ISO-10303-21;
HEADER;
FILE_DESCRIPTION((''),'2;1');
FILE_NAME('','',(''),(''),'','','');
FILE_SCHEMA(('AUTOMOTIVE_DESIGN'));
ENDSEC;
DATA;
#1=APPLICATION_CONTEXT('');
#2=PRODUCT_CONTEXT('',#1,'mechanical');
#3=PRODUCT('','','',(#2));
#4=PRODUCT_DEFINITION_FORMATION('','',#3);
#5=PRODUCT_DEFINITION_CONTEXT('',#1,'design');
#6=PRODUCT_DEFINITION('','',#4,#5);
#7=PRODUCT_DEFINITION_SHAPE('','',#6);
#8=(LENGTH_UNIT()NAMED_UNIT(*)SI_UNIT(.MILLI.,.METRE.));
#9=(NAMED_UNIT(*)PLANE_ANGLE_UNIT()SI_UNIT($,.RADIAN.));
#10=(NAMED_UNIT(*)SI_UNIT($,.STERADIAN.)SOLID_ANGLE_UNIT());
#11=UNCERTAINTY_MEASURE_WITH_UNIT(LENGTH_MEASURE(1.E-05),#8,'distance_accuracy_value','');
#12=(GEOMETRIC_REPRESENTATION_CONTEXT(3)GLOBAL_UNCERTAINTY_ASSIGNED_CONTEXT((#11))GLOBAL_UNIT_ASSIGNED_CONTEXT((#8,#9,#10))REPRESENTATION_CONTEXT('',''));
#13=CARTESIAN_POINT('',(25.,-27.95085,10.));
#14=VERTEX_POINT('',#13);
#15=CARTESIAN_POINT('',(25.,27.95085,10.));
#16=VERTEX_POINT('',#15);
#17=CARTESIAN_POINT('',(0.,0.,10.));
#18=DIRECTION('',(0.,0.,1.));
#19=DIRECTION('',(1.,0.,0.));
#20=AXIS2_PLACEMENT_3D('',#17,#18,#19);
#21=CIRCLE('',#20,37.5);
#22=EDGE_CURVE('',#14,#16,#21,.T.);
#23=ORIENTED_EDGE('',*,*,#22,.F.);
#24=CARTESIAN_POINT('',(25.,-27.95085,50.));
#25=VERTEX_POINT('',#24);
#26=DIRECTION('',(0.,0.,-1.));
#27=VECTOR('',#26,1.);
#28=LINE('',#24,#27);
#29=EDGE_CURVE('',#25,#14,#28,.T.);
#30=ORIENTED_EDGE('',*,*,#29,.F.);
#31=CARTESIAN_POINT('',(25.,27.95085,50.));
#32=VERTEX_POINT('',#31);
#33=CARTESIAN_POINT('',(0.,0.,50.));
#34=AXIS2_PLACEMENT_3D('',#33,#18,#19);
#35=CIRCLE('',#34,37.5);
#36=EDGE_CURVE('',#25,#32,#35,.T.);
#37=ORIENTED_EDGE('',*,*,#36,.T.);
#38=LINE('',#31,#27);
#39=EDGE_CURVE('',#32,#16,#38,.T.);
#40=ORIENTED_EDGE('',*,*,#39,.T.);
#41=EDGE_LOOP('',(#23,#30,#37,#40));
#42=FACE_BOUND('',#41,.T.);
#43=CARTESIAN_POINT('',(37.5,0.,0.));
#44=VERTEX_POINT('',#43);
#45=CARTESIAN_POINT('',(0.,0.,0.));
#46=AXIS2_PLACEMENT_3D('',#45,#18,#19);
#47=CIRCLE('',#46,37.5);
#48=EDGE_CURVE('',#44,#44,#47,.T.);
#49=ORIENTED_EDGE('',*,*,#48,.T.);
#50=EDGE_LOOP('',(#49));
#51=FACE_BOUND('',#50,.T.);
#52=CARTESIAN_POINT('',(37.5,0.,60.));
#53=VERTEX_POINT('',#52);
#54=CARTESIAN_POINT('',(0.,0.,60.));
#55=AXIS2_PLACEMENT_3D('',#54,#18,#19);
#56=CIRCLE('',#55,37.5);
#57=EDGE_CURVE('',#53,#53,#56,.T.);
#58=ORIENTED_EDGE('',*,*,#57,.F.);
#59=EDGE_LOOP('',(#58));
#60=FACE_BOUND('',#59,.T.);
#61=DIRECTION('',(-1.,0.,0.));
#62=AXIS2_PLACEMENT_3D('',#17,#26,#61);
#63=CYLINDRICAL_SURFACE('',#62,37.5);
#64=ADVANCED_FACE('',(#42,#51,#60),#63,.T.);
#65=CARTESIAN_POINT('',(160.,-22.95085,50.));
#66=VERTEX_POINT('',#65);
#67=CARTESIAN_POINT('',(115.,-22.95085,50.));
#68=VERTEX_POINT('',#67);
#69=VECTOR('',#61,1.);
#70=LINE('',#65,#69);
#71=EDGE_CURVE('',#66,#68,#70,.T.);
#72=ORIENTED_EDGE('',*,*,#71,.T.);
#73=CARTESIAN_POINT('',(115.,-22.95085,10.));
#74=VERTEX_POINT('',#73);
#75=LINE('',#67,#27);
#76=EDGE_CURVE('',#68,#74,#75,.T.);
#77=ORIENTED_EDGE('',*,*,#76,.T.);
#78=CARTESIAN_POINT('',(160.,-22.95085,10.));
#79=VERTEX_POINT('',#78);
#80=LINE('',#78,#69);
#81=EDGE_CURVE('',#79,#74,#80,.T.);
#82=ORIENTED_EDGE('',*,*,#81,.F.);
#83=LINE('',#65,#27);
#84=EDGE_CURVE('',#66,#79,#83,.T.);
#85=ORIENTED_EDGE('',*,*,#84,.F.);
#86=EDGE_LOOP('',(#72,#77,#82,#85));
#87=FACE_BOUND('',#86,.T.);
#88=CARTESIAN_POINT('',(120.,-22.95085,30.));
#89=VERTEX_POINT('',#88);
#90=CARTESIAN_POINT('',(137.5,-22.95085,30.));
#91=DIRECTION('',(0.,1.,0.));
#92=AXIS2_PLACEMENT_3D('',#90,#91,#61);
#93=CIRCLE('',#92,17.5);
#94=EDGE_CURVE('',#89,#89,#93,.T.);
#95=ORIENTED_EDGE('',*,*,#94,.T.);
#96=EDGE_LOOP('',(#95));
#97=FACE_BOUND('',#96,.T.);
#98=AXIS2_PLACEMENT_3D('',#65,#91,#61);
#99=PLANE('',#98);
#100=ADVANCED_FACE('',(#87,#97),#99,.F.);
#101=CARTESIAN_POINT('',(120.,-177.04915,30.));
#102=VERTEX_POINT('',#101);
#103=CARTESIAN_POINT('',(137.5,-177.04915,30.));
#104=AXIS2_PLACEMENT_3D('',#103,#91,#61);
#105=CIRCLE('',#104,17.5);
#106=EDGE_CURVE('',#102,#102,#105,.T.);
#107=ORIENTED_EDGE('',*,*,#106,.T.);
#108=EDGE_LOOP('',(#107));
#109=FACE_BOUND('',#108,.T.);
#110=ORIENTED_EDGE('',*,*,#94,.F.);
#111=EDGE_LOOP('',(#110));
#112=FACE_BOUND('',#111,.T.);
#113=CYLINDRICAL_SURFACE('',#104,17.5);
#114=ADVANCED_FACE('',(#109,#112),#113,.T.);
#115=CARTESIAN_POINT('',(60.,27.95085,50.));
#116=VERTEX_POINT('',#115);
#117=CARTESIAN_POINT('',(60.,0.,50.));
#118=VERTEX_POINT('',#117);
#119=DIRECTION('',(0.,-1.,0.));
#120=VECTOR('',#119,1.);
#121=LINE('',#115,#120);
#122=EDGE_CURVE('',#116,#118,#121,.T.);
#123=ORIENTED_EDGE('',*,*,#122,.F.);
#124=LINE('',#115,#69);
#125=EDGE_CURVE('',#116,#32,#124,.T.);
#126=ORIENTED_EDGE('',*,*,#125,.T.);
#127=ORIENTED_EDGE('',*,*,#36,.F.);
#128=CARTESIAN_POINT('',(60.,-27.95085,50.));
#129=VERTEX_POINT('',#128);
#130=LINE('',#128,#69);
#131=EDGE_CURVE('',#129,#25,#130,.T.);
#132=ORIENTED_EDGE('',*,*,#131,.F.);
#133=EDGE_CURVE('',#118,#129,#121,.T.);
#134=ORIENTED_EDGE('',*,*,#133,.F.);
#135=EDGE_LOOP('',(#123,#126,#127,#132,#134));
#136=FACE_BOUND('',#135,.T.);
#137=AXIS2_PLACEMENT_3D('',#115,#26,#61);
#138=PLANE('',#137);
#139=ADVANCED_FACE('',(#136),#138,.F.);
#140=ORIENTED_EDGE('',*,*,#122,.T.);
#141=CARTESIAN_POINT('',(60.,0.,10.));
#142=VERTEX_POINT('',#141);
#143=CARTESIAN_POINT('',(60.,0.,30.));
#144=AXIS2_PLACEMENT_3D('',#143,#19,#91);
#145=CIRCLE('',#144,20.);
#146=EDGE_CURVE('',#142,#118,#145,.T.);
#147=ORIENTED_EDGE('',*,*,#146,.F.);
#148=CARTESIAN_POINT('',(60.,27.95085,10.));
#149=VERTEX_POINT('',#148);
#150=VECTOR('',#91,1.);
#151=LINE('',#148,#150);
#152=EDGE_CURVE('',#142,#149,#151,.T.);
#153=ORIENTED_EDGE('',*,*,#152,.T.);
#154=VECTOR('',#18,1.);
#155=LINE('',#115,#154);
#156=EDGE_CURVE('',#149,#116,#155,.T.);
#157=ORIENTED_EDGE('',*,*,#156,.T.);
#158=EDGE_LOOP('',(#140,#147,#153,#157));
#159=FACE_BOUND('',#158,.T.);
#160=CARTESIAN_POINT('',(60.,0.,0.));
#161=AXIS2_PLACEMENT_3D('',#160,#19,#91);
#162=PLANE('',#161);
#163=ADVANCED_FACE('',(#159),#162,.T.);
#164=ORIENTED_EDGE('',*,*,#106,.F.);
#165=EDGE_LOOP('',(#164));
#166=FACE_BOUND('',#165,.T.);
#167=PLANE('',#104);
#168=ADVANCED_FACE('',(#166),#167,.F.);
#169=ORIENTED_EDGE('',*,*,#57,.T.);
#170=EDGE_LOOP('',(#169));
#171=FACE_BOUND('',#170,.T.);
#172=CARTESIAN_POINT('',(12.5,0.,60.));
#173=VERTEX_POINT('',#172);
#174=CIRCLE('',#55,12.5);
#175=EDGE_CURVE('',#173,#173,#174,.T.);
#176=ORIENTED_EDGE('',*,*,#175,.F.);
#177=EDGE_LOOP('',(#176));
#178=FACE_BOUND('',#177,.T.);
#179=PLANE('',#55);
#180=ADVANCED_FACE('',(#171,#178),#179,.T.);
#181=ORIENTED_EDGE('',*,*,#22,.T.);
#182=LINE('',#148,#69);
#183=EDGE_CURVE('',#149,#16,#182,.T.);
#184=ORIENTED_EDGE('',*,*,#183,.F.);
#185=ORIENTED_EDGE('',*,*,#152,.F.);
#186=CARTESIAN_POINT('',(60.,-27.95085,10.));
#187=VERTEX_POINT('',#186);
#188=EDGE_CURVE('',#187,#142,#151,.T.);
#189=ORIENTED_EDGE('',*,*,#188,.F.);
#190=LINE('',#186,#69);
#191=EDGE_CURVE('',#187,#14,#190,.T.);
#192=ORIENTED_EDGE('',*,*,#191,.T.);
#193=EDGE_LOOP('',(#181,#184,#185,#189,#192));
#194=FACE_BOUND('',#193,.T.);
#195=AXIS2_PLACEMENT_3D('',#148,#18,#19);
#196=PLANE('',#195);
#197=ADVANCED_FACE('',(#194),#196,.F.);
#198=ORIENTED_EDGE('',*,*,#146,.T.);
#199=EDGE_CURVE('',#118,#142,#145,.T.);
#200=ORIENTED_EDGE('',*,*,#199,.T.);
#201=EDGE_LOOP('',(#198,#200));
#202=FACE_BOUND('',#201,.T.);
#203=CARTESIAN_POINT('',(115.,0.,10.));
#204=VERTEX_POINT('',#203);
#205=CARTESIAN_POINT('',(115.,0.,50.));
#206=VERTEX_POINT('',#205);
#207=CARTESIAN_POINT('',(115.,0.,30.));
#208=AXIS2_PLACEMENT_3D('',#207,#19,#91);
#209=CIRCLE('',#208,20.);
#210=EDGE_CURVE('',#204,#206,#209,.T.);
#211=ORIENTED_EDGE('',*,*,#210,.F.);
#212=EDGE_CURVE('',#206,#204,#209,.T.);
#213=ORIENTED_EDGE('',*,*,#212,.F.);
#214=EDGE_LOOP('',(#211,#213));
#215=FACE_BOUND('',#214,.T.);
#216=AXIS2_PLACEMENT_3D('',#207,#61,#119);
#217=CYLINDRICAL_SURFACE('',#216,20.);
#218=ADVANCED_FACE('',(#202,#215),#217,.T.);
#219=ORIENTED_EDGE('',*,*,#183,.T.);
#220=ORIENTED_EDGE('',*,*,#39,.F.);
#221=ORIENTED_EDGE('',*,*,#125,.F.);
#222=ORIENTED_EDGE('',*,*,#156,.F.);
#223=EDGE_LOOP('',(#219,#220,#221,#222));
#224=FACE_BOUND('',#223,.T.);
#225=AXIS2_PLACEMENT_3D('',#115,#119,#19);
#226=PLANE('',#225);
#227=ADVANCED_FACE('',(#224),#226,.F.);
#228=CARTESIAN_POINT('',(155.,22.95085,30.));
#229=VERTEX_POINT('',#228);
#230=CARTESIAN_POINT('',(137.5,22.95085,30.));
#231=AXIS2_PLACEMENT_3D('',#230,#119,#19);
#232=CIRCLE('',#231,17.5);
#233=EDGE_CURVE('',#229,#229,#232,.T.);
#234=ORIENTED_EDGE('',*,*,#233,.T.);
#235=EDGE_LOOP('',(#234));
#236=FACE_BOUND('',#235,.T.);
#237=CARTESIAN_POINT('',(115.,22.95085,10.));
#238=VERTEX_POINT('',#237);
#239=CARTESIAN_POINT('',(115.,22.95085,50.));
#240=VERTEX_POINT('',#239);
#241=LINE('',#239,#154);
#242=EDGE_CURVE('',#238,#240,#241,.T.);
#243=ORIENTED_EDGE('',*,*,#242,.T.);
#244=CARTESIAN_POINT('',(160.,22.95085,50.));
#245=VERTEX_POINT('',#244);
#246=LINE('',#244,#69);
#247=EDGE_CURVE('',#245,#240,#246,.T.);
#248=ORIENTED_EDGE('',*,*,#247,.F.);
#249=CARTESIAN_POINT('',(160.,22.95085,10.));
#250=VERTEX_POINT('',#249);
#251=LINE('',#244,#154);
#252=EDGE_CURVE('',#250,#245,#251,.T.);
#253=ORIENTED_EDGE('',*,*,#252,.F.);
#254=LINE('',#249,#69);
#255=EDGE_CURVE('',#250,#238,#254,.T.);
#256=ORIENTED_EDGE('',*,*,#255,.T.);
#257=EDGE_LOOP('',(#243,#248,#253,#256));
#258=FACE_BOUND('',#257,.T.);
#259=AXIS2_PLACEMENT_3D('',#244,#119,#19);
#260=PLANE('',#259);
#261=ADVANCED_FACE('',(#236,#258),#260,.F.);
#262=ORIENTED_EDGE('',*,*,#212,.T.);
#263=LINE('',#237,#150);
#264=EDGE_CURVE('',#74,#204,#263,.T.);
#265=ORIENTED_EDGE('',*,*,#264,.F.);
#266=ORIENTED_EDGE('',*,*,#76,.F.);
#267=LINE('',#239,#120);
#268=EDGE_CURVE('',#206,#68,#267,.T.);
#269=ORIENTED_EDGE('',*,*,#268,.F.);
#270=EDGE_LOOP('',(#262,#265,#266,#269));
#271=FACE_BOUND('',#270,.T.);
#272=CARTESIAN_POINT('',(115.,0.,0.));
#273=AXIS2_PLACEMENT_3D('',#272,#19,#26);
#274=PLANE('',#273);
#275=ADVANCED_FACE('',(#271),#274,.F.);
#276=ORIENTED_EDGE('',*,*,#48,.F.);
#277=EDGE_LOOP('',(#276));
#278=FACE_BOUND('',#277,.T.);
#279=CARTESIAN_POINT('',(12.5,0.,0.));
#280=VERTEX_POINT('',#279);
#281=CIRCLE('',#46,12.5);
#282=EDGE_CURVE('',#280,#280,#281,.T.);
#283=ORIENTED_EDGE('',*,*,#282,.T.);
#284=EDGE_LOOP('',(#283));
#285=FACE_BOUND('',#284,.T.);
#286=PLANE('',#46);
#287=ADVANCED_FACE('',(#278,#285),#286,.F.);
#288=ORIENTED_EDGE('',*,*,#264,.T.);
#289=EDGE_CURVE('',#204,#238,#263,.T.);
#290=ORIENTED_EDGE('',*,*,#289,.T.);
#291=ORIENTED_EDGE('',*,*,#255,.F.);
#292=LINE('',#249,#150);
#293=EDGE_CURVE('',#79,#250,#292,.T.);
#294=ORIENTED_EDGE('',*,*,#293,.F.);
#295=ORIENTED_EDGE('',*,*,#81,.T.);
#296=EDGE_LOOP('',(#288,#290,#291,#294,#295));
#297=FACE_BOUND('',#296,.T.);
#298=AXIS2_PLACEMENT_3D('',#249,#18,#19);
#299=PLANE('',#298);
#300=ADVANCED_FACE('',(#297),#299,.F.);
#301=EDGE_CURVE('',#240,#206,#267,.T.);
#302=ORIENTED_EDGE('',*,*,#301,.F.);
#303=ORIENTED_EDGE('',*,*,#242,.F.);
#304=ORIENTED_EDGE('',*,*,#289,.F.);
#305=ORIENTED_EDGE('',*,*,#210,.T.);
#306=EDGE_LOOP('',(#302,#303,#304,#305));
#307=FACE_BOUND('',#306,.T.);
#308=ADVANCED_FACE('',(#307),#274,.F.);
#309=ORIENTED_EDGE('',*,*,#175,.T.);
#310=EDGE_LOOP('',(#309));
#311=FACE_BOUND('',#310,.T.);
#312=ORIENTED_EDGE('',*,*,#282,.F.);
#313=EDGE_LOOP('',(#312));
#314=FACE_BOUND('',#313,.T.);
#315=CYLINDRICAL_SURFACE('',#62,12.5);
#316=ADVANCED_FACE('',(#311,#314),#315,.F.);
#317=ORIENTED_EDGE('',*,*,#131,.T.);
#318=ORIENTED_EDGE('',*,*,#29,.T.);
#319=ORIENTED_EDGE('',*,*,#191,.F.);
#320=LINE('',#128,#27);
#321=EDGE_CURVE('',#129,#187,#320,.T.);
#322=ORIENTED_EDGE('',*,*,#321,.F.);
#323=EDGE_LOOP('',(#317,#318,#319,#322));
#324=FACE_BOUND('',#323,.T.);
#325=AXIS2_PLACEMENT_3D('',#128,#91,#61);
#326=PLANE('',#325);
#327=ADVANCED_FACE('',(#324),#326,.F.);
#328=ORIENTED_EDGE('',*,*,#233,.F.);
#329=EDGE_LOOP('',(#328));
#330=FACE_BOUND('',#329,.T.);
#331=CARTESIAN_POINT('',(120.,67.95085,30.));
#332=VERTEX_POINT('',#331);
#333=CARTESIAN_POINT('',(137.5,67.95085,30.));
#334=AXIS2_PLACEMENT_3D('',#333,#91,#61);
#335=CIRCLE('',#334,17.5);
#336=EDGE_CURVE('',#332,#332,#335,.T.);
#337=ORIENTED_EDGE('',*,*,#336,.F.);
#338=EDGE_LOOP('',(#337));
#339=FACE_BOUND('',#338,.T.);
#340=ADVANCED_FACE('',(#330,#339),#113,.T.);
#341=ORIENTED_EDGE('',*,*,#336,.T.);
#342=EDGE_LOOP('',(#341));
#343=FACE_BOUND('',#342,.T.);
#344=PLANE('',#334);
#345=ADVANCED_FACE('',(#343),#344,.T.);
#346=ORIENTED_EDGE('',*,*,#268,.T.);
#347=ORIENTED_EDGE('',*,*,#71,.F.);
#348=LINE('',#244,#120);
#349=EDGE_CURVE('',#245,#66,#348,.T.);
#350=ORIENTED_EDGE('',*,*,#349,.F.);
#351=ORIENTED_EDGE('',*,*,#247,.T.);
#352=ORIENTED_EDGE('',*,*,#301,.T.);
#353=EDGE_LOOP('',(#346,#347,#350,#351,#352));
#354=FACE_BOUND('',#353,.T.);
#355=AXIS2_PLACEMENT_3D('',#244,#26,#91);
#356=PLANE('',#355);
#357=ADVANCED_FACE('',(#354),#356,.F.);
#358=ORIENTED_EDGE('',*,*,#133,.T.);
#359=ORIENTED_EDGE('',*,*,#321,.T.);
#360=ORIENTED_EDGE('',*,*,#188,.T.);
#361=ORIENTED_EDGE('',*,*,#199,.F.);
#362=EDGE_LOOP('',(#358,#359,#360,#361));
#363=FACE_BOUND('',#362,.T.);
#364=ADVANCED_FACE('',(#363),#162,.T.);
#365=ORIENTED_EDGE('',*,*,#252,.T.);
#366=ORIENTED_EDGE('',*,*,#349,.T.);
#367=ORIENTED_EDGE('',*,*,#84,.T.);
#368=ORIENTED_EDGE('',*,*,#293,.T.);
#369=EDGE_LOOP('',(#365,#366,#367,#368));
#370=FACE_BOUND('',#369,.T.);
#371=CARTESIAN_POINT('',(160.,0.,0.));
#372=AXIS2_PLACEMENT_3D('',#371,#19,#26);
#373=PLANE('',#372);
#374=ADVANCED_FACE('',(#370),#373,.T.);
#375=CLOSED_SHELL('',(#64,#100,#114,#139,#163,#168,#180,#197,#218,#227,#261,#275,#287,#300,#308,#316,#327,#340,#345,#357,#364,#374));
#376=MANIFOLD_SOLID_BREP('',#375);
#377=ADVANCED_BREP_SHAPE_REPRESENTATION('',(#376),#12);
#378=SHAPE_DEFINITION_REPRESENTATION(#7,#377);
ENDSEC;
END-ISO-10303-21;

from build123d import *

# Parameters (mm, degrees)
SKETCH1_R                = 37.5
SKETCH1_R_2              = 12.5
BOSS_EXTRUDE1_DEPTH      = 10
SKETCH2_R                = 12.5
BOSS_EXTRUDE2_DEPTH      = 40
SKETCH3_R                = 37.5
SKETCH3_R_2              = 12.5
BOSS_EXTRUDE3_DEPTH      = 10
SKETCH4_W                = 40
SKETCH4_H                = 55.901699438
BOSS_EXTRUDE4_DEPTH      = 35
SKETCH5_R                = 20
BOSS_EXTRUDE5_DEPTH      = 55
SKETCH6_W                = 40
SKETCH6_H                = 45.901699438
BOSS_EXTRUDE6_DEPTH      = 45
BOSS_EXTRUDE7_DEPTH      = 45
BOSS_EXTRUDE7_DEPTH_BACK = 200
SKETCH7_R                = 17.5


with BuildPart() as part:
    # Sketch1 → Boss-Extrude1 (new body)
    with BuildSketch(Plane.XY):
        Circle(SKETCH1_R)
        Circle(SKETCH1_R_2, mode=Mode.SUBTRACT)
    extrude(amount=BOSS_EXTRUDE1_DEPTH)

    # Sketch2 → Boss-Extrude2 (add)
    with BuildSketch(Plane.XY.offset(10)):
        with BuildLine():
            Line((25, 27.950849719), (25, -27.950849719))
            ThreePointArc((25, -27.950849719), (-37.5, 0), (25, 27.950849719))
        make_face()
        Circle(SKETCH2_R, mode=Mode.SUBTRACT)
    extrude(amount=BOSS_EXTRUDE2_DEPTH)

    # Sketch3 → Boss-Extrude3 (add)
    with BuildSketch(Plane.XY.offset(50)):
        Circle(SKETCH3_R)
        Circle(SKETCH3_R_2, mode=Mode.SUBTRACT)
    extrude(amount=BOSS_EXTRUDE3_DEPTH)

    # Sketch4 → Boss-Extrude4 (add)
    with BuildSketch(Plane(origin=(25, 0, 0), x_dir=(0, 0, -1), z_dir=(1, 0, 0))):
        with Locations((-30, 0)):
            Rectangle(SKETCH4_W, SKETCH4_H)
    extrude(amount=BOSS_EXTRUDE4_DEPTH)

    # Sketch5 → Boss-Extrude5 (add)
    with BuildSketch(Plane(origin=(60, 0, 0), x_dir=(0, 0, -1), z_dir=(1, 0, 0))):
        with Locations((-30, 0)):
            Circle(SKETCH5_R)
    extrude(amount=BOSS_EXTRUDE5_DEPTH)

    # Sketch6 → Boss-Extrude6 (add)
    with BuildSketch(Plane(origin=(115, 0, 0), x_dir=(0, 0, -1), z_dir=(1, 0, 0))):
        with Locations((-30, 0)):
            Rectangle(SKETCH6_W, SKETCH6_H)
    extrude(amount=BOSS_EXTRUDE6_DEPTH)

    # Sketch7 → Boss-Extrude7 (add, two sides: drawn at the far end of the back side and taken through both)
    with BuildSketch(Plane(origin=(0, 22.950849719, 0), x_dir=(1, 0, 0), z_dir=(0, 1, 0)).offset(-BOSS_EXTRUDE7_DEPTH_BACK)):
        with Locations(Location((137.5, -30, 0), (0, 0, 180))):
            Circle(SKETCH7_R)
    extrude(amount=BOSS_EXTRUDE7_DEPTH + BOSS_EXTRUDE7_DEPTH_BACK)


solid = part.part
